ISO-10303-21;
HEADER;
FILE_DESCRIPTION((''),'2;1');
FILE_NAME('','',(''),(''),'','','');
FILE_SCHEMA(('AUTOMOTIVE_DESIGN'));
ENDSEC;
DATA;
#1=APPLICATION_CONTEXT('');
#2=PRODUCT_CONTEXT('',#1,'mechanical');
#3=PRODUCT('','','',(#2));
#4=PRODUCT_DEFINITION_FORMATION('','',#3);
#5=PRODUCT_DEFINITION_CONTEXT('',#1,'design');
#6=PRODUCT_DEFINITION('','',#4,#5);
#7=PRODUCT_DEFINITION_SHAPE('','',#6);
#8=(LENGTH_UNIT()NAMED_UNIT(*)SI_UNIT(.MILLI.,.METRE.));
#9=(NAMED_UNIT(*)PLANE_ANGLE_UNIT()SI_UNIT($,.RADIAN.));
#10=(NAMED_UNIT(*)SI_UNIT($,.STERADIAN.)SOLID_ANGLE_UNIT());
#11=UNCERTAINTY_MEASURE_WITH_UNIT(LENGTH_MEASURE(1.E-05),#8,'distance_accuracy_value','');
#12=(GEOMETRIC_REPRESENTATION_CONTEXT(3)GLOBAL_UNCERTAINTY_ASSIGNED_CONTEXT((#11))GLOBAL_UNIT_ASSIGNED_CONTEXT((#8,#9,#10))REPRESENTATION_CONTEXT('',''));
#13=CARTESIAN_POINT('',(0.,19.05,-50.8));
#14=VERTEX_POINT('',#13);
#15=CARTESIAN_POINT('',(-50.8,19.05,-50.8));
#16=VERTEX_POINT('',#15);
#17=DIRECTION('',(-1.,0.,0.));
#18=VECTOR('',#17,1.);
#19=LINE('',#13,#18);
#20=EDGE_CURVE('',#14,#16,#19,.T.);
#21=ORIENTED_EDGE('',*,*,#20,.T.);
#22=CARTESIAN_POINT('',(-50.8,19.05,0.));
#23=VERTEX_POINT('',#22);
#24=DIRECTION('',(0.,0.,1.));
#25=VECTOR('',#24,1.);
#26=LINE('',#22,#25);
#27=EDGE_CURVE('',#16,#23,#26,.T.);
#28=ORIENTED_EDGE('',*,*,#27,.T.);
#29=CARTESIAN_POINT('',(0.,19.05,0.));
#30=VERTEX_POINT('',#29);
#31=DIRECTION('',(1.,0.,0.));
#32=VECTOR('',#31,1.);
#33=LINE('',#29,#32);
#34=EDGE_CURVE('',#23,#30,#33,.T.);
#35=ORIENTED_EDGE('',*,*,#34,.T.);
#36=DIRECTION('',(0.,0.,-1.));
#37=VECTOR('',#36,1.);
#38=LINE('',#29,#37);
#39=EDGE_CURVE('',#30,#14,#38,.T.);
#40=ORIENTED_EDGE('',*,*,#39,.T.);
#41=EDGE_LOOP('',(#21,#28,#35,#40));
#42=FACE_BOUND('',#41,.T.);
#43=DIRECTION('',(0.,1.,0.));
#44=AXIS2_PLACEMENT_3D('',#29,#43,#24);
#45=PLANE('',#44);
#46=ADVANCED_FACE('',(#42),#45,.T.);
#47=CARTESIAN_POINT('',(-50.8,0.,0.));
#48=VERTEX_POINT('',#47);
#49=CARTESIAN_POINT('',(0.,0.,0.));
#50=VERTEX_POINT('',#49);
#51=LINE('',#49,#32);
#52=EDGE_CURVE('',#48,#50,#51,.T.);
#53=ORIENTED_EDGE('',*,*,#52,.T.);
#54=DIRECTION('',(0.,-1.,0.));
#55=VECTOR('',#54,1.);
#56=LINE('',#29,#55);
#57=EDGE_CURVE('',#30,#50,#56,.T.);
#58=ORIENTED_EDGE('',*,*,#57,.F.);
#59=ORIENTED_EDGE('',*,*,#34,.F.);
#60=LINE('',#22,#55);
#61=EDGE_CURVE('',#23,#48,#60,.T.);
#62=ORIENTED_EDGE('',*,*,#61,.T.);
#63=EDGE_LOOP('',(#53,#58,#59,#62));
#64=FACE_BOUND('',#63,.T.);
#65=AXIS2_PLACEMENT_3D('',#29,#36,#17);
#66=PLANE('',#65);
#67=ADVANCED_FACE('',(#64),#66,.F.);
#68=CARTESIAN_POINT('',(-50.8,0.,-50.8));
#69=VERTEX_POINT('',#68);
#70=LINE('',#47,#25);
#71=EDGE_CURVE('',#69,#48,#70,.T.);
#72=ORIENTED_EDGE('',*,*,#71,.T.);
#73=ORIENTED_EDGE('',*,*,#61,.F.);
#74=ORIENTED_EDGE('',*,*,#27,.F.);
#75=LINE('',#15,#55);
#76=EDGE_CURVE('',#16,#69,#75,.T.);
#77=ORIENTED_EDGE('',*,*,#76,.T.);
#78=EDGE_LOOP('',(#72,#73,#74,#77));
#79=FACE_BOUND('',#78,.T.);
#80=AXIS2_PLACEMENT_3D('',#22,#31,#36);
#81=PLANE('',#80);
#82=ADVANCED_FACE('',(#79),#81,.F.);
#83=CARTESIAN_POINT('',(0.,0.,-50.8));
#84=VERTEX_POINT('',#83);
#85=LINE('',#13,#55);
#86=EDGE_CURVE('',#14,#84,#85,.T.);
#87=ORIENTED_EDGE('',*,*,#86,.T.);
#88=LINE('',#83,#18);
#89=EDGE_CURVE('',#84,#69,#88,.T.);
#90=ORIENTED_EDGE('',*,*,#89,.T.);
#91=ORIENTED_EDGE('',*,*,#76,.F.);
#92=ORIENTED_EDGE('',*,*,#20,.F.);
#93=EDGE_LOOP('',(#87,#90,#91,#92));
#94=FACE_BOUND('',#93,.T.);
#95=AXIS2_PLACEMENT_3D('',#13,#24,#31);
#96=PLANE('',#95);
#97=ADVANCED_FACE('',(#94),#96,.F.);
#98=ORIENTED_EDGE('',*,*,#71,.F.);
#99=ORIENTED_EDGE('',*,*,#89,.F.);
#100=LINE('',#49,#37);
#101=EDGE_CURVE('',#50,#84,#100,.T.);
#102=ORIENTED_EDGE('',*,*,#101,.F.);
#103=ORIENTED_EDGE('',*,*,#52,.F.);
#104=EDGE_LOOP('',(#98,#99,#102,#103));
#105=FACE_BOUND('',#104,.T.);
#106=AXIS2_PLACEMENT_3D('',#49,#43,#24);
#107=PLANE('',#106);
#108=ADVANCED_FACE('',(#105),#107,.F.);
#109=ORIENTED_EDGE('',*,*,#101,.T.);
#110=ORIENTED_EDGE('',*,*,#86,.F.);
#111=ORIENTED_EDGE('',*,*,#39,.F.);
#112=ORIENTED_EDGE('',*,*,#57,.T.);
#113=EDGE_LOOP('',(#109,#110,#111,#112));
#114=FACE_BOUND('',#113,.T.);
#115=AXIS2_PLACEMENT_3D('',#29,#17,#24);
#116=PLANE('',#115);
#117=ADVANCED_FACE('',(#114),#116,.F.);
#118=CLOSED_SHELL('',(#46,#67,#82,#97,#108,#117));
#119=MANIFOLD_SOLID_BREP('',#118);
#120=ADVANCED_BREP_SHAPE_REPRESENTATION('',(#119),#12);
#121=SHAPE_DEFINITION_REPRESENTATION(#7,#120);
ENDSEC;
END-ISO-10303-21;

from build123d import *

# Parameters (mm, degrees)
SKETCH1_W           = 50.8
SKETCH1_H           = 50.8
BOSS_EXTRUDE1_DEPTH = 19.05


with BuildPart() as part:
    # Sketch1 → Boss-Extrude1 (new body)
    with BuildSketch(Plane(origin=(0, 0, 0), x_dir=(1, 0, 0), z_dir=(0, 1, 0))):
        with Locations((-25.4, 25.4)):
            Rectangle(SKETCH1_W, SKETCH1_H)
    extrude(amount=BOSS_EXTRUDE1_DEPTH)


solid = part.part
